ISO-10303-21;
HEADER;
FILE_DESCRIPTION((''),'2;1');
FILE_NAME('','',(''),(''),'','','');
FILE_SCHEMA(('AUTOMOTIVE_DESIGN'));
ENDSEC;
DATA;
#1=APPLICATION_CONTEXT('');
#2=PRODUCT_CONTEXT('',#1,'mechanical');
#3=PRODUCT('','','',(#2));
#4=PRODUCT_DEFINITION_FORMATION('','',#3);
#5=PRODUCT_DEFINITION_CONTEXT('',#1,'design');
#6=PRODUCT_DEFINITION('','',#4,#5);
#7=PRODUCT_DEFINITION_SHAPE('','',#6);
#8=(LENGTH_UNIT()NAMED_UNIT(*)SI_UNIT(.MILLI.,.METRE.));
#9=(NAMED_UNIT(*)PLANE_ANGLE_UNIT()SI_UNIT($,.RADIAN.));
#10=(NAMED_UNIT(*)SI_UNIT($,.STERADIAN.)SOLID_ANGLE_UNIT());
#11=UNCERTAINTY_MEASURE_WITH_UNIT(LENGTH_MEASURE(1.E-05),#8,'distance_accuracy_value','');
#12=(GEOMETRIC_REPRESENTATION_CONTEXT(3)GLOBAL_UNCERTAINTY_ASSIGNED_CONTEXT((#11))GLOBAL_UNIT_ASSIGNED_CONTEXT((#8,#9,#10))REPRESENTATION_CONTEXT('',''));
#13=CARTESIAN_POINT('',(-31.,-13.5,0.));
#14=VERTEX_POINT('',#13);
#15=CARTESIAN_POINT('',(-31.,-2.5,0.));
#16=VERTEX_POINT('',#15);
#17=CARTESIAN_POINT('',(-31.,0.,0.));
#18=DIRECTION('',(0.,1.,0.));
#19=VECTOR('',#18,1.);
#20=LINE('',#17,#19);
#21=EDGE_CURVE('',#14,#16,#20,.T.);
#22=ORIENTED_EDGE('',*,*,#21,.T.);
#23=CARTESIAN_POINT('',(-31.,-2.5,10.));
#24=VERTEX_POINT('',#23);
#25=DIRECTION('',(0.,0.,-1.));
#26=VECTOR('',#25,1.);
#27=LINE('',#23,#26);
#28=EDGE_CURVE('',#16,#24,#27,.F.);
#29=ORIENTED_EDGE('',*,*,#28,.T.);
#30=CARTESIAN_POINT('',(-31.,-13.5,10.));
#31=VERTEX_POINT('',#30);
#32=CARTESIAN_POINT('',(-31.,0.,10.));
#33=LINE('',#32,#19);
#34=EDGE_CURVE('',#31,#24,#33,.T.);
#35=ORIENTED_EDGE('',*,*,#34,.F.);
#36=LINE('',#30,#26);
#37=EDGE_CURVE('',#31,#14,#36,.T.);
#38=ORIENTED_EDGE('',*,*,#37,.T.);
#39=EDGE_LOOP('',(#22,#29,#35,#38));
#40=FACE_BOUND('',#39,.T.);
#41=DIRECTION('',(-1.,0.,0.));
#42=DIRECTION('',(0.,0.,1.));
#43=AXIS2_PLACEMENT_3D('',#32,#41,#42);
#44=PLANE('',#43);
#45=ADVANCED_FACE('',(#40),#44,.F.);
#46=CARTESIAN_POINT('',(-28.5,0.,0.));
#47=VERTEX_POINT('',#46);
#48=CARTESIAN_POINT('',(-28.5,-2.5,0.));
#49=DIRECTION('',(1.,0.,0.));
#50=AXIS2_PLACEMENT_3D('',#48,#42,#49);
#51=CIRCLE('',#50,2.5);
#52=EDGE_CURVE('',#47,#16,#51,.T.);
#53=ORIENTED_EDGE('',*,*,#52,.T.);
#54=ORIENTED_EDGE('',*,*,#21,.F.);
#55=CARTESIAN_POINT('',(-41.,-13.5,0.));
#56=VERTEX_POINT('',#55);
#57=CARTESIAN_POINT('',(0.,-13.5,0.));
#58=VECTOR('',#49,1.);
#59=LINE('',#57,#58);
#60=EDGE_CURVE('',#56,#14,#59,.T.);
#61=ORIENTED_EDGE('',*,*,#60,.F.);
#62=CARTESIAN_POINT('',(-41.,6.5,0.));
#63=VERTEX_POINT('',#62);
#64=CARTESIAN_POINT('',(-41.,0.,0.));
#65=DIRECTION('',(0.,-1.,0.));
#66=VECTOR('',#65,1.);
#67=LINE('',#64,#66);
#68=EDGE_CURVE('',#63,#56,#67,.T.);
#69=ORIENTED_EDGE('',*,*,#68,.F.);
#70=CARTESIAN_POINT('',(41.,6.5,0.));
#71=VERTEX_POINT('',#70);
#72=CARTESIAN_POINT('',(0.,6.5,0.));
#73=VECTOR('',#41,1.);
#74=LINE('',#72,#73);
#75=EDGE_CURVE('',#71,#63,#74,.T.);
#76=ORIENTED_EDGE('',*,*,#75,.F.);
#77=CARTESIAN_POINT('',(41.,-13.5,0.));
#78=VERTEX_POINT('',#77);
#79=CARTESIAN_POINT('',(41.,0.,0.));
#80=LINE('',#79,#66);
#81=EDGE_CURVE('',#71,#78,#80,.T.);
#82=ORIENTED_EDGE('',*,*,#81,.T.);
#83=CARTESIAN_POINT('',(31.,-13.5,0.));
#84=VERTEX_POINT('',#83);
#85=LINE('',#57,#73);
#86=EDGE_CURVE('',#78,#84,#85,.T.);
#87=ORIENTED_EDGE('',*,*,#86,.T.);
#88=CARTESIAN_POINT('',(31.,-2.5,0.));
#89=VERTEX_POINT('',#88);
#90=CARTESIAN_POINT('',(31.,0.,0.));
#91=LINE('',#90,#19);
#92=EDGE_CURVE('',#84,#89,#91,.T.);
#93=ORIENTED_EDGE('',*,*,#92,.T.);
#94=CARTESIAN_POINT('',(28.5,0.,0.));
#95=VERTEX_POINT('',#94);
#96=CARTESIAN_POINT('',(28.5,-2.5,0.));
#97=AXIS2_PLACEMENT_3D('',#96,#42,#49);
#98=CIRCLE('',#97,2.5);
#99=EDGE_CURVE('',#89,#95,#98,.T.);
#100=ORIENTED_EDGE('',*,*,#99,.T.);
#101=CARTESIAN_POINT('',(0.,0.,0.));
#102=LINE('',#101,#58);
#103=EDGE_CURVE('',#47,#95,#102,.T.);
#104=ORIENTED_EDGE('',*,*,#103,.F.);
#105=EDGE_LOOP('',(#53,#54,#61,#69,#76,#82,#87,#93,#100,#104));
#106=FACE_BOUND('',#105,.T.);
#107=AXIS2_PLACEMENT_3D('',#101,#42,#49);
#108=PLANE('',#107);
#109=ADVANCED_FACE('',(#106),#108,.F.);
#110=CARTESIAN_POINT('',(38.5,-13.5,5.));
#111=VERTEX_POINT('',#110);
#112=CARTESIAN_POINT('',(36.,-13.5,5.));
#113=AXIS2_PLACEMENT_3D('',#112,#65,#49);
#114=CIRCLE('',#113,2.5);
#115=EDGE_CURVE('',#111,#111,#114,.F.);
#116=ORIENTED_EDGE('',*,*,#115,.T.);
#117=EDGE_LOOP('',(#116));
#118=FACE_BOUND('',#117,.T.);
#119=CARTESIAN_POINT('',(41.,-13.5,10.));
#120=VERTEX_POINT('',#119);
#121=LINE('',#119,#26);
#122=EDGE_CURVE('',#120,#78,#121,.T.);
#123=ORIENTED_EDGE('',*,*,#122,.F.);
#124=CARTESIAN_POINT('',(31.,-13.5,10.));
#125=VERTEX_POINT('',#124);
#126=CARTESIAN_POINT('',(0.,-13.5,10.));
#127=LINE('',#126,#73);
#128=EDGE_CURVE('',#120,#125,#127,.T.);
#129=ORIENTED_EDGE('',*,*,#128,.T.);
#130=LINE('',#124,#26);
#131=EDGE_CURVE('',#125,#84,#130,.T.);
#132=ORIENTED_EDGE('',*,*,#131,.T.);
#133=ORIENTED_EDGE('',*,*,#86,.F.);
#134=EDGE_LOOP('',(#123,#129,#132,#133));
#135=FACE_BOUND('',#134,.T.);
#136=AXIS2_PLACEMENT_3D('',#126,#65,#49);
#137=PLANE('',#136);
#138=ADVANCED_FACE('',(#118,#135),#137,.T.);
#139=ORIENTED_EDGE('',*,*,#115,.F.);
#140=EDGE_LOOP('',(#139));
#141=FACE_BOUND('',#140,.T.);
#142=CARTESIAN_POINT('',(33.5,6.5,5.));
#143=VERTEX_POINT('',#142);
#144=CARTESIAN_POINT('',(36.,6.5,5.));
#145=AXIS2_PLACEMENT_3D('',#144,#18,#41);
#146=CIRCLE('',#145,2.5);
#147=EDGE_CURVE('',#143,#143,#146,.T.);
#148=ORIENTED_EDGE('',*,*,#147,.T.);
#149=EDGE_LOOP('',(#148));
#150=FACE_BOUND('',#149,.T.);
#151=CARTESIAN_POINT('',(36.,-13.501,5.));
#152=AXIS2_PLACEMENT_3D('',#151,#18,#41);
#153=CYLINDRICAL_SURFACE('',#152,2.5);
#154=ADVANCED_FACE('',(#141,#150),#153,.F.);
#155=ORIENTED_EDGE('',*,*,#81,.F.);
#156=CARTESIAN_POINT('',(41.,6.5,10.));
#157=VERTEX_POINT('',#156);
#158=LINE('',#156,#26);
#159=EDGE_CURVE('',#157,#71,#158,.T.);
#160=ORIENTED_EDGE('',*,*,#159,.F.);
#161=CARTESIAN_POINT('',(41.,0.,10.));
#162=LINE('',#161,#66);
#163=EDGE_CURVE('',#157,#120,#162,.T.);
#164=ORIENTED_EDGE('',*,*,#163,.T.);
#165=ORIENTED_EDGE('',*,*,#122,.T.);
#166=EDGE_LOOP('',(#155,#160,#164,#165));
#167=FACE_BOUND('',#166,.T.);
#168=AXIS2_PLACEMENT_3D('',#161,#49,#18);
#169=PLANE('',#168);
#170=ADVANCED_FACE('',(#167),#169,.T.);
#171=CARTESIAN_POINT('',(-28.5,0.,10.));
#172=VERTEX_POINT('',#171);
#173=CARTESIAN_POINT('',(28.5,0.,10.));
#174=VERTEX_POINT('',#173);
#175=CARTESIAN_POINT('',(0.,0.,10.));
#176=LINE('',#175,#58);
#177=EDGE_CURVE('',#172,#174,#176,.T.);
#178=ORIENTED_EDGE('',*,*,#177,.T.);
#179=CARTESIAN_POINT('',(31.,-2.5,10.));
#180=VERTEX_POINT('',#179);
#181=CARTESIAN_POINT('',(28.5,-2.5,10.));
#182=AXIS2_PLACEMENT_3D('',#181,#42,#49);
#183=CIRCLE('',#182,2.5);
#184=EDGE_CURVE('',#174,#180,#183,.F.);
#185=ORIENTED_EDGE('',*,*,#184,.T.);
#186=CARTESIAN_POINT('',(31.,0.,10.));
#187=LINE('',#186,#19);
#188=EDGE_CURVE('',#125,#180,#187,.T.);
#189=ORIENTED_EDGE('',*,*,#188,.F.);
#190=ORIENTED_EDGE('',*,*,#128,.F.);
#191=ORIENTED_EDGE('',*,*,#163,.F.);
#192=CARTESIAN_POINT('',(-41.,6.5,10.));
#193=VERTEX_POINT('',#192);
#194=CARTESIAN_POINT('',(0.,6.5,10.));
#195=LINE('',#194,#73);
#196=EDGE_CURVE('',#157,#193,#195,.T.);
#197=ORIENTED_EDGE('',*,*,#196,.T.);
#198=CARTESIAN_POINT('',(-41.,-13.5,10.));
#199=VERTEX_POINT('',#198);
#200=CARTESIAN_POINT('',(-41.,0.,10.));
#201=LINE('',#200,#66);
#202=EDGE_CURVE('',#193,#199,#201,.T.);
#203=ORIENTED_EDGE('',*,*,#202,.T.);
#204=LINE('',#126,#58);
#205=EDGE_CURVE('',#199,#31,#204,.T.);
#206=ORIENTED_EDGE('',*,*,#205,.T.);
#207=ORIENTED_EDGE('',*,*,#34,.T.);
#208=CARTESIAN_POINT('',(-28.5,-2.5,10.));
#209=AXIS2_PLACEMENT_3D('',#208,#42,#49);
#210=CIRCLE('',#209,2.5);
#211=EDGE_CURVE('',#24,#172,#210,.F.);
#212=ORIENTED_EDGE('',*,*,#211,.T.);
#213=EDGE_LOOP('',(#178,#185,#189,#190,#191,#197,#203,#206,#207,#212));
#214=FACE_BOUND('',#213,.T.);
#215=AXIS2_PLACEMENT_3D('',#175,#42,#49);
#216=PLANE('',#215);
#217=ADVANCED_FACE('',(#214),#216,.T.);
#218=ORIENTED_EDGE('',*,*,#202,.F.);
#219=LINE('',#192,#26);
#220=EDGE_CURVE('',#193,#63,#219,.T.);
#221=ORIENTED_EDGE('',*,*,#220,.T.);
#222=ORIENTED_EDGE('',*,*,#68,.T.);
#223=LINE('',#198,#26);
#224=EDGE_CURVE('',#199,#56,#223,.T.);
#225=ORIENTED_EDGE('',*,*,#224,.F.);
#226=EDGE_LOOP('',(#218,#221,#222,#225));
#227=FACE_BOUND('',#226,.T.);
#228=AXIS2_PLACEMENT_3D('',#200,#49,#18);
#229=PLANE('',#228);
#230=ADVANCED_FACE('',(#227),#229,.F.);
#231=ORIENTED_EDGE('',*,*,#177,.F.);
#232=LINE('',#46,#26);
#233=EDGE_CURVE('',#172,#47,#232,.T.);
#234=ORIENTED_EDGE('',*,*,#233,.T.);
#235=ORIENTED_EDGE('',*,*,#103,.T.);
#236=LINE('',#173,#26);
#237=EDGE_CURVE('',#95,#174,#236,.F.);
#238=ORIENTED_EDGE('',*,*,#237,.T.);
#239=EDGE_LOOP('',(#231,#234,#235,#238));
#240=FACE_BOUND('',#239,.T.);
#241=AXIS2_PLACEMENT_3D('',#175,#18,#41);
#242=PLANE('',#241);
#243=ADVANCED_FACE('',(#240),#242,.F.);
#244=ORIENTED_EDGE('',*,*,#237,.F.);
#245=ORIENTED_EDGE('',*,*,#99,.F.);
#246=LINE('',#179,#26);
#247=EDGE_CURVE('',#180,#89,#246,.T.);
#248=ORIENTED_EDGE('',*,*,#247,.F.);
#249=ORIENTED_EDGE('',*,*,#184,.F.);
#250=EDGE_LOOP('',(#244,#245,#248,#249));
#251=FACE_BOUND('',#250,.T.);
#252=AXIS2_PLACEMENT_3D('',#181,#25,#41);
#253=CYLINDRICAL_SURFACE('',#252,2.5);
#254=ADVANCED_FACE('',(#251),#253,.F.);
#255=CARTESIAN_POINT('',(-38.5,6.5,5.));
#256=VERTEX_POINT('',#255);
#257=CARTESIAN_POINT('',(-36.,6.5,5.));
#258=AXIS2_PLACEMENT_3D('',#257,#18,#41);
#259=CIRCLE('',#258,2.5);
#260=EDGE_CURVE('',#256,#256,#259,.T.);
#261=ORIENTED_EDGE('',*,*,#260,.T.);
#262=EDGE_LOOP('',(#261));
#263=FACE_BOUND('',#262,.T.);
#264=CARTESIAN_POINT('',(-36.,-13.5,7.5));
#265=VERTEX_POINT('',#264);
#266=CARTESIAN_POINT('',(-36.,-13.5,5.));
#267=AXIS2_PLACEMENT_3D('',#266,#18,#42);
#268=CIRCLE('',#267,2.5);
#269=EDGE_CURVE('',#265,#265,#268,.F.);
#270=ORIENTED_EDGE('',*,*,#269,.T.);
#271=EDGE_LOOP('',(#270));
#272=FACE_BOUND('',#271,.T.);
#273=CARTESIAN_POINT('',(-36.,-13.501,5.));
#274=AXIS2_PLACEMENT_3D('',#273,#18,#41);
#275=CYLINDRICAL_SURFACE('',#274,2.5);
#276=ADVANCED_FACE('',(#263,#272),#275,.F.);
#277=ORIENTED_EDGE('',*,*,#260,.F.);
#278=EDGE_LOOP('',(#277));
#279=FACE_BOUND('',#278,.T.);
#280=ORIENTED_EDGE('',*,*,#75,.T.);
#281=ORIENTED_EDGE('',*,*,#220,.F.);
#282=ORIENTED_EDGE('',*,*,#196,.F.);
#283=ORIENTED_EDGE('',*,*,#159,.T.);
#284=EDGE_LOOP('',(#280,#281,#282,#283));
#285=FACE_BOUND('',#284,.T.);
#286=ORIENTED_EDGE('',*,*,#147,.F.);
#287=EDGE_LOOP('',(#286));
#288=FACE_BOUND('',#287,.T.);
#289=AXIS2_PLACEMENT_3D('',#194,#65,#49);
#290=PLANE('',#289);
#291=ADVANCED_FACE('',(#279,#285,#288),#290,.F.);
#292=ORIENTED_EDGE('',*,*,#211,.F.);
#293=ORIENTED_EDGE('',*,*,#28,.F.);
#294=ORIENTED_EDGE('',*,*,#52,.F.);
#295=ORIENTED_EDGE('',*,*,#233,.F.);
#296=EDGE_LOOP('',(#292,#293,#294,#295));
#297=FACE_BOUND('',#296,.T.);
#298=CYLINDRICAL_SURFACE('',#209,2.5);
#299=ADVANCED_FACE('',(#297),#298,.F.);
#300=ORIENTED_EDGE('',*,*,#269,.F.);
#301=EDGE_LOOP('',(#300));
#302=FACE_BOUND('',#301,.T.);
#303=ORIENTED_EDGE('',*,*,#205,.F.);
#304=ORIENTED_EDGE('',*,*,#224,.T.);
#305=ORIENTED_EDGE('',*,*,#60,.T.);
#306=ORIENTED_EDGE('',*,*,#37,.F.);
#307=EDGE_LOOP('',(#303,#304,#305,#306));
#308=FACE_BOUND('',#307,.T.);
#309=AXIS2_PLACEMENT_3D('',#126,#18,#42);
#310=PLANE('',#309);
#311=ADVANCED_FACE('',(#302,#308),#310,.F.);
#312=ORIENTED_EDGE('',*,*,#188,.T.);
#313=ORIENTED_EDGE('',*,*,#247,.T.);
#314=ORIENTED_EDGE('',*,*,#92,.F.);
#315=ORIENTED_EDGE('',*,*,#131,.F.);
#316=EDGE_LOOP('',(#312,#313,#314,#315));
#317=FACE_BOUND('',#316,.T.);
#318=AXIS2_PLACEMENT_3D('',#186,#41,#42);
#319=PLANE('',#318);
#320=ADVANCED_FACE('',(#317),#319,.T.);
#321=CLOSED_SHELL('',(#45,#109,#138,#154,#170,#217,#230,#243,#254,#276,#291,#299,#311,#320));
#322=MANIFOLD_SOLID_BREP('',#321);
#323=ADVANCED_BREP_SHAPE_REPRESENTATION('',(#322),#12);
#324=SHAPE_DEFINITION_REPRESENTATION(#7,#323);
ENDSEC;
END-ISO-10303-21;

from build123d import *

# Parameters (mm, degrees)
BOSS_EXTRUDE1_DEPTH = 10
FILLET1_R           = 2.5
CUT_EXTRUDE1_REACH  = 22
SKETCH2_R           = 2.5


with BuildPart() as part:
    # Sketch1 → Boss-Extrude1 (new body)
    with BuildSketch(Plane.XY):
        Polygon((0, 6.5), (0, 0), (31, 0), (31, -13.5), (41, -13.5), (41, 6.5), align=None)
        Polygon((-31, 0), (0, 0), (0, 6.5), (-41, 6.5), (-41, -13.5), (-31, -13.5), align=None)
    extrude(amount=BOSS_EXTRUDE1_DEPTH)

    # Fillet1
    fillet1_edges = [part.edges().sort_by_distance(p)[0] for p in [
        (31, 0, 5),
        (-31, 0, 5),
    ]]
    fillet(fillet1_edges, radius=FILLET1_R)

    # Sketch2 → Cut-Extrude1 (cut, up to next)
    with BuildSketch(Plane(origin=(0, 6.5, 0), x_dir=(1, 0, 0), z_dir=(0, 1, 0)), mode=Mode.PRIVATE) as cut_extrude1_sk1:
        with Locations((-36, -5)):
            Circle(SKETCH2_R)
    cut_extrude1_tool1 = extrude(cut_extrude1_sk1.sketch, amount=-CUT_EXTRUDE1_REACH, mode=Mode.PRIVATE) & part.part
    add(cut_extrude1_tool1.solids().sort_by_distance((-36, 6.5, 5))[0], mode=Mode.SUBTRACT)
    # Sketch2 → Cut-Extrude1 (cut, up to next)
    with BuildSketch(Plane(origin=(0, 6.5, 0), x_dir=(1, 0, 0), z_dir=(0, 1, 0)), mode=Mode.PRIVATE) as cut_extrude1_sk2:
        with Locations((36, -5)):
            Circle(SKETCH2_R)
    cut_extrude1_tool2 = extrude(cut_extrude1_sk2.sketch, amount=-CUT_EXTRUDE1_REACH, mode=Mode.PRIVATE) & part.part
    add(cut_extrude1_tool2.solids().sort_by_distance((36, 6.5, 5))[0], mode=Mode.SUBTRACT)


solid = part.part
